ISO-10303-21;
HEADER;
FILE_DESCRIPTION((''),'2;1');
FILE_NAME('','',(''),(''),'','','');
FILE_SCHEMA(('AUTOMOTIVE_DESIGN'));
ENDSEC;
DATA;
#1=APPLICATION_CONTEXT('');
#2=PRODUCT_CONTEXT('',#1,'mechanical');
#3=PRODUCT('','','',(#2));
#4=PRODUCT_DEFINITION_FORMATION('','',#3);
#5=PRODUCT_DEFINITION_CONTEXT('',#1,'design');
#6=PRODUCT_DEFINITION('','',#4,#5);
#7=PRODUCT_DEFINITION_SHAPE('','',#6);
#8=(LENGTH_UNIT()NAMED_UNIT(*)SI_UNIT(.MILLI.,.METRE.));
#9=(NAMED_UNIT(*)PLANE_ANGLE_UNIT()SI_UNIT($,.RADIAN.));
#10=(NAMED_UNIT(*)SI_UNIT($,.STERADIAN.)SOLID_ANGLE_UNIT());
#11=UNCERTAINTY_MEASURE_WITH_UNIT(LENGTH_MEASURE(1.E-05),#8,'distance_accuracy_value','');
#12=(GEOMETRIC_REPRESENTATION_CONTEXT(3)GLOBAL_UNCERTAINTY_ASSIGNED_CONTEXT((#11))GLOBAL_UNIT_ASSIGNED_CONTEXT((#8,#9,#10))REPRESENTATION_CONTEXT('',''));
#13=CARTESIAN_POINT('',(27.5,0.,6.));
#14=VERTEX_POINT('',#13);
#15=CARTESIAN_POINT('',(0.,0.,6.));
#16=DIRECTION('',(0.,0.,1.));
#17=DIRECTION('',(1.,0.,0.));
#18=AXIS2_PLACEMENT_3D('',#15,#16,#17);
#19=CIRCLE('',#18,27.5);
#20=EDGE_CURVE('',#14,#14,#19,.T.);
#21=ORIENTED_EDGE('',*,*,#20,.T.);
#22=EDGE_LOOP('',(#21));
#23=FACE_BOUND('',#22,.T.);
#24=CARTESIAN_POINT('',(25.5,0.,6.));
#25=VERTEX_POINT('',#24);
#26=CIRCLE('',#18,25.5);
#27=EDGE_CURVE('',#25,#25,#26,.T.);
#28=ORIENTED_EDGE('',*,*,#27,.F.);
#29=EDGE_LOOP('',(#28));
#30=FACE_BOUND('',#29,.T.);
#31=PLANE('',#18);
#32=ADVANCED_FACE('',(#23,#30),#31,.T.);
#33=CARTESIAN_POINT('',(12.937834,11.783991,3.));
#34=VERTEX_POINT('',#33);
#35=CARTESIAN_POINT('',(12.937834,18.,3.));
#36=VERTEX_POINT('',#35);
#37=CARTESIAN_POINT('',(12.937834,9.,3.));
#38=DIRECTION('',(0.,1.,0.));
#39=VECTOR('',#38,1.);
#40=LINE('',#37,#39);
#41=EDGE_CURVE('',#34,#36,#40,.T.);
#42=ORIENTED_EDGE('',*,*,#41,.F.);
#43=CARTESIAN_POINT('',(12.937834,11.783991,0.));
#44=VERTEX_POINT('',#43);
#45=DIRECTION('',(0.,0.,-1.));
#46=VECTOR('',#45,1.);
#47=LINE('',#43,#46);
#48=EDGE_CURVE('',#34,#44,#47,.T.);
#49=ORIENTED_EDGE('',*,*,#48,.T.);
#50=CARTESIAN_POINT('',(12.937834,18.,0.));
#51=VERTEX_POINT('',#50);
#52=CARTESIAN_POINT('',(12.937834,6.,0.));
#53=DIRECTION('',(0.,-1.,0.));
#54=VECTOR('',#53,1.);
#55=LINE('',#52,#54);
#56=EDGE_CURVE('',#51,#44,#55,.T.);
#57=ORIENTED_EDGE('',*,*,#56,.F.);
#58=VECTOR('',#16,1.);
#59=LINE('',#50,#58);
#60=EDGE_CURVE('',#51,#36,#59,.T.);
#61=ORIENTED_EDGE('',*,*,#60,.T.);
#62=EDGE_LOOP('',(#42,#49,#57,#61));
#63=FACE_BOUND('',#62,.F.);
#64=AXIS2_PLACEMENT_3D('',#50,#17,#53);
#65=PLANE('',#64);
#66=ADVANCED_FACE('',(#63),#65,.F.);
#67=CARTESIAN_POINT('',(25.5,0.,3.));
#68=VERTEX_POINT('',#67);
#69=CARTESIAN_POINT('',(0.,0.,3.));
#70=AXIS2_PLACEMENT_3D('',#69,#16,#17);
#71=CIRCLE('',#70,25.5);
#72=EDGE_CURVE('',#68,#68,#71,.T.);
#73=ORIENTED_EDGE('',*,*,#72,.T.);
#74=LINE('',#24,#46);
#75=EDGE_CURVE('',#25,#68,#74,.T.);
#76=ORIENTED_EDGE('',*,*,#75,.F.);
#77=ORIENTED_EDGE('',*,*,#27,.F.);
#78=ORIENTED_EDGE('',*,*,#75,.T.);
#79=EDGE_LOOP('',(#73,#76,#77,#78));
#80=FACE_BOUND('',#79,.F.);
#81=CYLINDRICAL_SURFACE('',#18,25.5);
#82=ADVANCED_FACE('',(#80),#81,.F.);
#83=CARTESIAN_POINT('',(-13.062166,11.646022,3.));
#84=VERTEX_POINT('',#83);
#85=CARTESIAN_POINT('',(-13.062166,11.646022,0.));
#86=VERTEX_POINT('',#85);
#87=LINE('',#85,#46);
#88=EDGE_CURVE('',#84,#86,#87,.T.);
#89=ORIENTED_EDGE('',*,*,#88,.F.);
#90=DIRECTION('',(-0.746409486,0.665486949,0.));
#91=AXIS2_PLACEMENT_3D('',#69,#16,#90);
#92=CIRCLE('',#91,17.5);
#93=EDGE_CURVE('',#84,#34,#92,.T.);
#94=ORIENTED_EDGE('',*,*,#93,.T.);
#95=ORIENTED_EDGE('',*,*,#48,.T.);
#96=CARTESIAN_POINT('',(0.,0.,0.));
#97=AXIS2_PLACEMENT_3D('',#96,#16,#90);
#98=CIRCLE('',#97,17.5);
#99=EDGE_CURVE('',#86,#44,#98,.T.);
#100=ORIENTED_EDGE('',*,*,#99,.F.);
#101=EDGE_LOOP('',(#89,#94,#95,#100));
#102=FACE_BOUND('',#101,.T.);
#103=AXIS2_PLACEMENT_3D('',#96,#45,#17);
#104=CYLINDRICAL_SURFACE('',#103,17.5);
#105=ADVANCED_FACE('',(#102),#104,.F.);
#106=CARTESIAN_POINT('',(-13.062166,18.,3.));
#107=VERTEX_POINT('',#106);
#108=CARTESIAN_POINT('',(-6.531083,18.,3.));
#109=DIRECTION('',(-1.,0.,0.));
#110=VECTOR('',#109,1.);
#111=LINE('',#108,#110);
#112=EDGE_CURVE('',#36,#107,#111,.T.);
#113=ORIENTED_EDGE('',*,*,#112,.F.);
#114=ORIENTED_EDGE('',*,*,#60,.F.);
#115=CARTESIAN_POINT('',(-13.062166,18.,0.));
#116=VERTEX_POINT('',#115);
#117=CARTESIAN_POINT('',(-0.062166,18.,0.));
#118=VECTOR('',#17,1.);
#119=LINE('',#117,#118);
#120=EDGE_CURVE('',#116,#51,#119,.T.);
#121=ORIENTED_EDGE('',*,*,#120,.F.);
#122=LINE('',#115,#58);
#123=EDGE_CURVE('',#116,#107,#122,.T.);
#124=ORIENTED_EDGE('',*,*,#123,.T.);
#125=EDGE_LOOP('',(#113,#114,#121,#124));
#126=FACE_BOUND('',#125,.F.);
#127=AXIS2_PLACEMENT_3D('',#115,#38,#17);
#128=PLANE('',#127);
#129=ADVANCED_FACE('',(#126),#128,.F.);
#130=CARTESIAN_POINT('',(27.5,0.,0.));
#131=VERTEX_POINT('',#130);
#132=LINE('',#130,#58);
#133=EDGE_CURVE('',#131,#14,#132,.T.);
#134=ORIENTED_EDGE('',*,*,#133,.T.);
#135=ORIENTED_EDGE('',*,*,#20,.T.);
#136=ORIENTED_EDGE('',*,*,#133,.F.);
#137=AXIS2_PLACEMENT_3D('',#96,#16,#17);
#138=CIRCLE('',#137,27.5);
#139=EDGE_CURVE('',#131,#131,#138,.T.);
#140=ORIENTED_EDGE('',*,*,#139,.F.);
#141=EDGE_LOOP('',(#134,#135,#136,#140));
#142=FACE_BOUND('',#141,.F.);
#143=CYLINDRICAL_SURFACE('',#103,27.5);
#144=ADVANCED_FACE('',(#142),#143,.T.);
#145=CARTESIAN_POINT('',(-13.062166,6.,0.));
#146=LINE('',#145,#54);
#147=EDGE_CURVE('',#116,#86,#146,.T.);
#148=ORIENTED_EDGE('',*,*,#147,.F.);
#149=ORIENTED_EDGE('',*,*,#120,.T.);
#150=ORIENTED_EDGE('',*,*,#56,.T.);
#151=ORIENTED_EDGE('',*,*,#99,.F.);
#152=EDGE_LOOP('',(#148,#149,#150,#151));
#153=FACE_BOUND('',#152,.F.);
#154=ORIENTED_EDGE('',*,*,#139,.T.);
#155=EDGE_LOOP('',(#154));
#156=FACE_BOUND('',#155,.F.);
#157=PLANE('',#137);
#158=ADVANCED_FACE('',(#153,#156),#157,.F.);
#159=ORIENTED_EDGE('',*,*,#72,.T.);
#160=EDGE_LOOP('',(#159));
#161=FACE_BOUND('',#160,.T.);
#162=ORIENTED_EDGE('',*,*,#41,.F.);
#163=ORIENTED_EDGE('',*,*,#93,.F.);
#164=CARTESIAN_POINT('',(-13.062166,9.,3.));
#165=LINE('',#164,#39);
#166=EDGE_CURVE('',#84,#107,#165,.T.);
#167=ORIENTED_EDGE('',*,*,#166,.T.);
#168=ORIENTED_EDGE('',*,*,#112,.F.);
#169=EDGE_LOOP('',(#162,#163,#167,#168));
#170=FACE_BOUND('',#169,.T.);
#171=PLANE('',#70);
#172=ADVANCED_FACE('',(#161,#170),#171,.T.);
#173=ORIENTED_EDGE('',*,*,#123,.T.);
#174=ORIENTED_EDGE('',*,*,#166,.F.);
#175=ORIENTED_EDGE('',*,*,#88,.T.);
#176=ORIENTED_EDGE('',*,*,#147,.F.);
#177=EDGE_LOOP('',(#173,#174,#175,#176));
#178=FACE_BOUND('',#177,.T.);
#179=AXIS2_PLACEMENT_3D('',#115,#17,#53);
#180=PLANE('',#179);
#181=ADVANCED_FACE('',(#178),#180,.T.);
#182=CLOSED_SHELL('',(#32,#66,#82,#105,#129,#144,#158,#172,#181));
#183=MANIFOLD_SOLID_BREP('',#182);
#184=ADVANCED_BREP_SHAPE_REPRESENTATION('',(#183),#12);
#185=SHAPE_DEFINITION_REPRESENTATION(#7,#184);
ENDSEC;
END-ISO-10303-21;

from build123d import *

# Parameters (mm, degrees)
F0_R     = 27.5
F0_R_2   = 17.5
F1_DEPTH = 6
F2_R     = 25.5
F2_R_2   = 17.5
F3_DEPTH = 3
F4_W     = 26
F4_H     = 24
F5_DEPTH = 25


with BuildPart() as f1:
    # F0 (on Top) → F1 (new body)
    with BuildSketch(Plane.XY):
        Circle(F0_R)
        Circle(F0_R_2, mode=Mode.SUBTRACT)
    extrude(amount=F1_DEPTH)

    # F2 (on face) → F3 (cut)
    with BuildSketch(Plane.XY.offset(6)):
        Circle(F2_R)
        Circle(F2_R)
        Circle(F2_R_2, mode=Mode.SUBTRACT)
    extrude(amount=-F3_DEPTH, mode=Mode.SUBTRACT)

    # F4 (on face) → F5 (cut)
    with BuildSketch(Plane(origin=(0, 0, 0), x_dir=(1, 0, 0), z_dir=(0, 0, -1))):
        with Locations((-0.062166, -6)):
            Rectangle(F4_W, F4_H)
    extrude(amount=-F5_DEPTH, mode=Mode.SUBTRACT)


solid = f1.part
